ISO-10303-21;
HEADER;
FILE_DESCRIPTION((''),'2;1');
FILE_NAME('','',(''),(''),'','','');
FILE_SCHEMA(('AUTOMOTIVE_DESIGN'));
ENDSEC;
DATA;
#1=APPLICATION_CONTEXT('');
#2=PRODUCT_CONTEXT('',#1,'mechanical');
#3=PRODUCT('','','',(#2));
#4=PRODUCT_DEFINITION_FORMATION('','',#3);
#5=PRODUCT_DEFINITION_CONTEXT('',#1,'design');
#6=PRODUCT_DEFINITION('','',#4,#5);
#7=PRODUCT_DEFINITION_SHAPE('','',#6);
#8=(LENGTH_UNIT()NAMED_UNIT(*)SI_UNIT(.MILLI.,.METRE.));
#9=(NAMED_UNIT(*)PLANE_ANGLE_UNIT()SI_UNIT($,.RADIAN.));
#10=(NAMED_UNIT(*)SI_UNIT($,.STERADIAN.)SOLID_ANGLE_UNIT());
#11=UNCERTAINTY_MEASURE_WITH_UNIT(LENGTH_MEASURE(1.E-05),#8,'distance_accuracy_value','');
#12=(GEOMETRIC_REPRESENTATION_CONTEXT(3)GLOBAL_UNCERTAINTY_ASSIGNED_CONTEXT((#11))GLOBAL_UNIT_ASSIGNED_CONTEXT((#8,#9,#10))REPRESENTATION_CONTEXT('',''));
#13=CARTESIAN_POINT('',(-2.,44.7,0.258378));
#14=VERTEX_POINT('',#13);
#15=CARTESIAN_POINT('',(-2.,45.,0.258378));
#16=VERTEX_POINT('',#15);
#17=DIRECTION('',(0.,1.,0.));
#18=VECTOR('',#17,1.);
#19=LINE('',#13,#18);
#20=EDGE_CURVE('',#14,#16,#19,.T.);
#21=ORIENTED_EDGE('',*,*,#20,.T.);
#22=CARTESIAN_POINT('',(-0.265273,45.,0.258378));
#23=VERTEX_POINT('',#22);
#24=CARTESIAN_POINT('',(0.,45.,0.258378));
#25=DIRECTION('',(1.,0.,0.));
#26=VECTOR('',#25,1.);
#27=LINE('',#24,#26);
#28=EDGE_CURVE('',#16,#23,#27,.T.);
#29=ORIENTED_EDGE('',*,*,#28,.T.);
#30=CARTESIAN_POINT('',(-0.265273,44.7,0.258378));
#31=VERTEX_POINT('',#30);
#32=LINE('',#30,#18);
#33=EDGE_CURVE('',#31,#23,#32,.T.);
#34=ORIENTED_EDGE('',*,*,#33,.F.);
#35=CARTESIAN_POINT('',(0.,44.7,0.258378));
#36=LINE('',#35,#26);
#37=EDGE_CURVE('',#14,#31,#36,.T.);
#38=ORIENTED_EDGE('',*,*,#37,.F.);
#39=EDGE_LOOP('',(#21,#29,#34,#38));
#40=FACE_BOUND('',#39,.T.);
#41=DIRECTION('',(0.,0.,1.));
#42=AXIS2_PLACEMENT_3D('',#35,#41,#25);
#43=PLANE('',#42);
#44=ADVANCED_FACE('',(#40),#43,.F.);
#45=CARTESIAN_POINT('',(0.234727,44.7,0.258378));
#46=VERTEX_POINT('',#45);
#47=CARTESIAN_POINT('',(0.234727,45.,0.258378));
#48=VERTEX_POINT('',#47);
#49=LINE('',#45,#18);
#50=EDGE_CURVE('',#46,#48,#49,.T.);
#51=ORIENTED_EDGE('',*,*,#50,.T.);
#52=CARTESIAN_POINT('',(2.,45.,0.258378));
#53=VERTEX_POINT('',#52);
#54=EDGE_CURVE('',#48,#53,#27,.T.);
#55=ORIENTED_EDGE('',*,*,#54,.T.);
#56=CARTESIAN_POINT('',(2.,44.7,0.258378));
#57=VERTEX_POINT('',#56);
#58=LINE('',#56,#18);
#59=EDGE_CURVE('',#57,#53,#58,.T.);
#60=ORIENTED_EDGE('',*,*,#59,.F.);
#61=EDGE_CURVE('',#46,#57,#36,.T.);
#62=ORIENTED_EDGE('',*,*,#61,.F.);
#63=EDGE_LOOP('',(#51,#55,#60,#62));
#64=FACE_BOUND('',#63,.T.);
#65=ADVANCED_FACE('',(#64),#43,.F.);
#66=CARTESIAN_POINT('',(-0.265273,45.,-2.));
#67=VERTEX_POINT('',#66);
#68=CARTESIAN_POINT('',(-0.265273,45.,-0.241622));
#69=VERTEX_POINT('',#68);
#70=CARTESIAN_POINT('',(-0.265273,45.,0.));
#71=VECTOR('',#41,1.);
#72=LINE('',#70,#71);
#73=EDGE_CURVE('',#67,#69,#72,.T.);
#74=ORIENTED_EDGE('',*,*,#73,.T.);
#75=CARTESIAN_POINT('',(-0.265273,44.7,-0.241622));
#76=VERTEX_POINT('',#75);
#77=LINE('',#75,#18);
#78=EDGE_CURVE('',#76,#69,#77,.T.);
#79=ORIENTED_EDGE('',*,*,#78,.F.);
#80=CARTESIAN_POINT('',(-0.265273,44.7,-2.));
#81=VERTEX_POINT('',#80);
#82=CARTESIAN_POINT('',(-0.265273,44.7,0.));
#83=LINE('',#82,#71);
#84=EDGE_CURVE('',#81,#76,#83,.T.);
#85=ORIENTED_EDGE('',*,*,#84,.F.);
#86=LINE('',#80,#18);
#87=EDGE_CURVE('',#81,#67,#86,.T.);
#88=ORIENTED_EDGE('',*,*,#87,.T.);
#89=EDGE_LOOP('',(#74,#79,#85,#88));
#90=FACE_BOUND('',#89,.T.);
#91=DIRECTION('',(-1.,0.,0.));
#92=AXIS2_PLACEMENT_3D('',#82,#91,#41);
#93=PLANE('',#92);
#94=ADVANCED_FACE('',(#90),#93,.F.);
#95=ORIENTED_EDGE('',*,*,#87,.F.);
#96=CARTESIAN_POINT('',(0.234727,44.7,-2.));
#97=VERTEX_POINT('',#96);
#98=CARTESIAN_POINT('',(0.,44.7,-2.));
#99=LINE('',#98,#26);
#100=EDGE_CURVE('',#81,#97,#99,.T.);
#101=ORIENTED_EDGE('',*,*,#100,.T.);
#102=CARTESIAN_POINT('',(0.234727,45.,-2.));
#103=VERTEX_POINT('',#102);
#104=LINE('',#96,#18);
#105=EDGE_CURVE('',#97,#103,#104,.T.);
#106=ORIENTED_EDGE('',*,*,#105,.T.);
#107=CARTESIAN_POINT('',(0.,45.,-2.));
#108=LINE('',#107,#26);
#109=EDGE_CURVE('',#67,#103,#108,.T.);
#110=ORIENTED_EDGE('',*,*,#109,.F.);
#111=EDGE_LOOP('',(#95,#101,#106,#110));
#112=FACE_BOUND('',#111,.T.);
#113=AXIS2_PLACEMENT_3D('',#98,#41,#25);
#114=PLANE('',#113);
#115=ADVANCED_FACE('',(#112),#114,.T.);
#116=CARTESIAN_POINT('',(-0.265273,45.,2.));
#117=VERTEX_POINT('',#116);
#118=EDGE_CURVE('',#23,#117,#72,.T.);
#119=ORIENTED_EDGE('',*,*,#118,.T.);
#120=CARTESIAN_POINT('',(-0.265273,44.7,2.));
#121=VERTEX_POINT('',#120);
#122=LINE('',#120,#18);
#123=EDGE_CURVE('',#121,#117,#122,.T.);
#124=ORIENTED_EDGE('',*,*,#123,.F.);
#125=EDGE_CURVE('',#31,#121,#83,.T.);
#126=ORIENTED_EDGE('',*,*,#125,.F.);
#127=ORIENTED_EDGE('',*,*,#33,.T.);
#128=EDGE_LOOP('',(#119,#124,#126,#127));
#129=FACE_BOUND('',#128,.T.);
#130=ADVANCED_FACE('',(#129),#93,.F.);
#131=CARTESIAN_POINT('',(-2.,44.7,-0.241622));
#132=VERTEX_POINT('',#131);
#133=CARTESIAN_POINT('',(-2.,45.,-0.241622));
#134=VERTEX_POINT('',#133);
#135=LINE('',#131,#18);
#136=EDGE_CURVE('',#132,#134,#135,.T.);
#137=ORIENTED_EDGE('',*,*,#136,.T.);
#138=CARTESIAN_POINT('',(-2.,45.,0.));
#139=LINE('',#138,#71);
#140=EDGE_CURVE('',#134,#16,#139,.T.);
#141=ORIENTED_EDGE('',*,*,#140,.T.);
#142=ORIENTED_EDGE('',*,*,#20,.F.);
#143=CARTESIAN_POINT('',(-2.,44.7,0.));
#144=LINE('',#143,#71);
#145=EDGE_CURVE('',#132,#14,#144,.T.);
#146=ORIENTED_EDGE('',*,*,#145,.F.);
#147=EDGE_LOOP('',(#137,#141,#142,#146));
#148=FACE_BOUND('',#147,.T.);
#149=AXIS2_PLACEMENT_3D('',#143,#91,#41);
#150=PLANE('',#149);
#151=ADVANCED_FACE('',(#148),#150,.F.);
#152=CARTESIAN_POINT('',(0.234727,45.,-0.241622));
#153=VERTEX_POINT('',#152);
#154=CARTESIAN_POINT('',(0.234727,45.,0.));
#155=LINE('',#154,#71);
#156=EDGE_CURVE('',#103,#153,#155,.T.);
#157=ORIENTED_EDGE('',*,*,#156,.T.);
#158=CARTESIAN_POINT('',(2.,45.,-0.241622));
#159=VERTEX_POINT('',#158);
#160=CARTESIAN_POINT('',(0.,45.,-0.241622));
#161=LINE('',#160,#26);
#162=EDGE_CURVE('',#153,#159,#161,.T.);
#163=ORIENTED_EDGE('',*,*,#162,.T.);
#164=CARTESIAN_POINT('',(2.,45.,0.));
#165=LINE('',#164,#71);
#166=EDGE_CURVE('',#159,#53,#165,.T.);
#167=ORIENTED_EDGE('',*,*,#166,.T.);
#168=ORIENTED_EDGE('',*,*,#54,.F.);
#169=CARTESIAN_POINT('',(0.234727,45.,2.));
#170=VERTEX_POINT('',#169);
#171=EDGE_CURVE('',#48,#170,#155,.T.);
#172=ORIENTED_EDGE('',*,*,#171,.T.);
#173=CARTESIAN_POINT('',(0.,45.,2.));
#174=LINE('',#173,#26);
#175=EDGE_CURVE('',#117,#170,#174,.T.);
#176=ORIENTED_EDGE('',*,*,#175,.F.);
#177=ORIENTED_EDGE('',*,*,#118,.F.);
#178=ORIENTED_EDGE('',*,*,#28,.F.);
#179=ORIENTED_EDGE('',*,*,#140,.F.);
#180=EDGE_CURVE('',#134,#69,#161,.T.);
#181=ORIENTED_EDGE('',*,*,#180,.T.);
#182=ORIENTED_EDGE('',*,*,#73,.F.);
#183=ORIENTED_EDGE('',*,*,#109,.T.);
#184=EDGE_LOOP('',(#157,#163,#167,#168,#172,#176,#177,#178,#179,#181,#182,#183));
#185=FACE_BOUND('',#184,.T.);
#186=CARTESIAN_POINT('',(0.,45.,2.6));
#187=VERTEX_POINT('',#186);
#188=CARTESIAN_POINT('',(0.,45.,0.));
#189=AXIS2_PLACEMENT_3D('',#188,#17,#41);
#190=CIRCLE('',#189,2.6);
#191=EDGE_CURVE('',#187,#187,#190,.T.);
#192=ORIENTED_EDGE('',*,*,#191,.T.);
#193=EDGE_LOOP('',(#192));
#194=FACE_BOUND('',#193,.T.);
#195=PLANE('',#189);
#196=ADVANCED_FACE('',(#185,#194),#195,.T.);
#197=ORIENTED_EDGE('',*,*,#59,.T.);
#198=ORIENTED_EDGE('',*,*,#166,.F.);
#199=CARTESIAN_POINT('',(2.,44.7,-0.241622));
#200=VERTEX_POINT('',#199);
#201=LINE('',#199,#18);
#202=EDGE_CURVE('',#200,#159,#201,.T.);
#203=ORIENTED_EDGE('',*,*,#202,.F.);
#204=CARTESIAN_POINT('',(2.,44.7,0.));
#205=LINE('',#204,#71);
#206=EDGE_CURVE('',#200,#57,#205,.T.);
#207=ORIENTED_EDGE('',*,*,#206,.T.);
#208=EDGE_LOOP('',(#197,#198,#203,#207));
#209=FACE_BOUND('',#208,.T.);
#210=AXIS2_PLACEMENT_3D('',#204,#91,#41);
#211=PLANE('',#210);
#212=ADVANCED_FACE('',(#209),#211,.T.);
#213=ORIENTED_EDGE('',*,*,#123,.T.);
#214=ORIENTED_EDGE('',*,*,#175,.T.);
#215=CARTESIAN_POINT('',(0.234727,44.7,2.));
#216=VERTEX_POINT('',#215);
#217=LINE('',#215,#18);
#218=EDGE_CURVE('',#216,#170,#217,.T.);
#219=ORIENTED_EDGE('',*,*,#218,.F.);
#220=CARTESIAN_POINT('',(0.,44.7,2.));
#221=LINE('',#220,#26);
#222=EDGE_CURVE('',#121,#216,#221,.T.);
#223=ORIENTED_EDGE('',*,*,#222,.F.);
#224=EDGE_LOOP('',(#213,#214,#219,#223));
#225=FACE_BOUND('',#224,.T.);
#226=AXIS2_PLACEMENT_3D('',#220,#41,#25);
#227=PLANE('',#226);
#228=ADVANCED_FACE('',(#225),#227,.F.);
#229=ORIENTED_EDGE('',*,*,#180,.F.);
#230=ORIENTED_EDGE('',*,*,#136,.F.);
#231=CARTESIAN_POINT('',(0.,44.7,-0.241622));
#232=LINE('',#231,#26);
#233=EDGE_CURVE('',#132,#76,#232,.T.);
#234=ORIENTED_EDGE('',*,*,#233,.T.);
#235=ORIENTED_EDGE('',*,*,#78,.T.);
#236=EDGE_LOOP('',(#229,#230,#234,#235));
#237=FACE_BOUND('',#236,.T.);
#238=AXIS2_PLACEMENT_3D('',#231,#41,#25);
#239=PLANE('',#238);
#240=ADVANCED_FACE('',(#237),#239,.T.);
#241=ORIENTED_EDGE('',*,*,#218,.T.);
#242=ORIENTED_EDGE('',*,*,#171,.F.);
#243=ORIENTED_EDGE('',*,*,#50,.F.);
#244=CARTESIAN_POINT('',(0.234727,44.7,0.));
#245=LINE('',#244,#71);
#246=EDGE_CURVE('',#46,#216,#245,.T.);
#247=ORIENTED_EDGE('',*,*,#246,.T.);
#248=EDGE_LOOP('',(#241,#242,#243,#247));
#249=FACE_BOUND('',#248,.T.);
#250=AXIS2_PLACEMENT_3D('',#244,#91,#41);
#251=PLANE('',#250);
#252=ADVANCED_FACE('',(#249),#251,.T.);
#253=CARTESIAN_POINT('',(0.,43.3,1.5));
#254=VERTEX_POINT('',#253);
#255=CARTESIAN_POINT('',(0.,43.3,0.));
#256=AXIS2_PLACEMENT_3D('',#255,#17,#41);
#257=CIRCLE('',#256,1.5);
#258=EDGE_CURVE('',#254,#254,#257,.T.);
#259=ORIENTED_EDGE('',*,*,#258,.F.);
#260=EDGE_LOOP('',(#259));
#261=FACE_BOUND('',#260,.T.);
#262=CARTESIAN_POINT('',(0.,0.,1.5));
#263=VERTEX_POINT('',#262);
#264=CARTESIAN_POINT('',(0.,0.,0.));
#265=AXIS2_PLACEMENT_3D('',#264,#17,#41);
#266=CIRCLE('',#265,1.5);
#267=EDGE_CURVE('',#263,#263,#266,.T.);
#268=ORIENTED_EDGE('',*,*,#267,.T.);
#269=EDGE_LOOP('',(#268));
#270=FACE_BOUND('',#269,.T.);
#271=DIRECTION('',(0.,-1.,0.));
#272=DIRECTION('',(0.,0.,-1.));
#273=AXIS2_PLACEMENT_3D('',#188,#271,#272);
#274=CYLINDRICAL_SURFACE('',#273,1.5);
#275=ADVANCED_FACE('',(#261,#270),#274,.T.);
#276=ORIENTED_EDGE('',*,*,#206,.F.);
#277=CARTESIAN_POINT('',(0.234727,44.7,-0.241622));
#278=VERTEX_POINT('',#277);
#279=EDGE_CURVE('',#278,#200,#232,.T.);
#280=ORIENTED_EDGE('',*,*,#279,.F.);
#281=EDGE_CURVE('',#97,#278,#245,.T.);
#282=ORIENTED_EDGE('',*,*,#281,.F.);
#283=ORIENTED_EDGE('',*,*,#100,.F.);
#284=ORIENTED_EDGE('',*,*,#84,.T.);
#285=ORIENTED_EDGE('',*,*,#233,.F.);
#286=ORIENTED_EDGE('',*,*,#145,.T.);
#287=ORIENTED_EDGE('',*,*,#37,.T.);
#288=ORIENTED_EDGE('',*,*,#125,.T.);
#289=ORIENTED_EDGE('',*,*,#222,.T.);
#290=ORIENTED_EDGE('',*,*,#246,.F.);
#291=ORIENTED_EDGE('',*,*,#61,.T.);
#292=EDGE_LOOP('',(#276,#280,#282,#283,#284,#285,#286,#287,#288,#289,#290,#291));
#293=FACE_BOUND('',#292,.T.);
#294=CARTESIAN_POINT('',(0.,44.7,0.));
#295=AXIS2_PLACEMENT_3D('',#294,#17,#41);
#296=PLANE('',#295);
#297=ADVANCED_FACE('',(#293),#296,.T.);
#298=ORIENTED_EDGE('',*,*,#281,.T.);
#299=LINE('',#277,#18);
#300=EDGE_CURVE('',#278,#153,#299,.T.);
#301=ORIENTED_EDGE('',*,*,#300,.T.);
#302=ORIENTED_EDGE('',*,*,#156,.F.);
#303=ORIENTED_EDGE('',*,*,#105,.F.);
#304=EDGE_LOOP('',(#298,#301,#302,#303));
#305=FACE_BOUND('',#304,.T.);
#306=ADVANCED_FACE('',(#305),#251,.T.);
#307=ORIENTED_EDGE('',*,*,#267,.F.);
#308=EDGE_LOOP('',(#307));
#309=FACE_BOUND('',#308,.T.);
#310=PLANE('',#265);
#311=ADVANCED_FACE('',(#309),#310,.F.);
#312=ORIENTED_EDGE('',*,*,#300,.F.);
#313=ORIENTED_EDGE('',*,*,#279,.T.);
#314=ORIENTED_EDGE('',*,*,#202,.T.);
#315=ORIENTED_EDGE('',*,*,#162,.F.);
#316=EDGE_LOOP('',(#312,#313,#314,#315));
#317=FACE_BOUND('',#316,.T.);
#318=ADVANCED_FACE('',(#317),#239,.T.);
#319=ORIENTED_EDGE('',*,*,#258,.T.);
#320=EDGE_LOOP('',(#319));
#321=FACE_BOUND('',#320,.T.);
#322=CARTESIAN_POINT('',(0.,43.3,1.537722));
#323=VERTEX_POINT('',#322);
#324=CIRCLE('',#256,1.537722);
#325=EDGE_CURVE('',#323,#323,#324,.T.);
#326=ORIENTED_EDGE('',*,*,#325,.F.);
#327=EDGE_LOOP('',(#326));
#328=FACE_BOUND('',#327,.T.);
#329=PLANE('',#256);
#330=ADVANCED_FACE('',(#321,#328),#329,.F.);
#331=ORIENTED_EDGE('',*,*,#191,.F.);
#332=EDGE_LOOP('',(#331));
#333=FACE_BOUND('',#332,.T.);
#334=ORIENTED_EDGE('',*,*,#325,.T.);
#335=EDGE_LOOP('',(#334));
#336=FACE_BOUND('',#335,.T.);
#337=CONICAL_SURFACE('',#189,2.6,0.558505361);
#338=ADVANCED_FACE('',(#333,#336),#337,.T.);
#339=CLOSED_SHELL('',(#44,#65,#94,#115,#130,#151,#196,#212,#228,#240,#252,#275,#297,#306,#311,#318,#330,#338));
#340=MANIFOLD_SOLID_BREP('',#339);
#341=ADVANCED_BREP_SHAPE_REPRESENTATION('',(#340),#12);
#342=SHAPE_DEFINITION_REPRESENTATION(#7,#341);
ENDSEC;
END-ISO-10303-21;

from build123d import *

# Parameters (mm, degrees)
SKETCH1_R           = 1.5
BOSS_EXTRUDE1_DEPTH = 45
SKETCH2_R           = 2.6
BOSS_EXTRUDE2_DEPTH = 1.7
BOSS_EXTRUDE2_TAPER = 32
SKETCH3_W           = 0.5
SKETCH3_H           = 1.758378485
SKETCH3_H_2         = 1.741621515
SKETCH3_W_2         = 1.734727157
SKETCH3_H_3         = 0.5
SKETCH3_W_3         = 1.765272843
CUT_EXTRUDE1_DEPTH  = 0.3


with BuildPart() as part:
    # Sketch1 → Boss-Extrude1 (new body)
    with BuildSketch(Plane(origin=(0, 0, 0), x_dir=(1, 0, 0), z_dir=(0, 1, 0))):
        Circle(SKETCH1_R)
    extrude(amount=BOSS_EXTRUDE1_DEPTH)

    # Sketch2 → Boss-Extrude2 (add)
    with BuildSketch(Plane(origin=(0, 45, 0), x_dir=(1, 0, 0), z_dir=(0, 1, 0))):
        Circle(SKETCH2_R)
    extrude(amount=-BOSS_EXTRUDE2_DEPTH, taper=BOSS_EXTRUDE2_TAPER)

    # Sketch3 → Cut-Extrude1 (cut)
    with BuildSketch(Plane(origin=(0, 45, 0), x_dir=(1, 0, 0), z_dir=(0, 1, 0))):
        with Locations((-0.015272843, 1.120810757)):
            Rectangle(SKETCH3_W, SKETCH3_H)
        with Locations((-0.015272843, -1.129189243)):
            Rectangle(SKETCH3_W, SKETCH3_H_2)
        with Locations((-1.132636421, -0.008378485)):
            Rectangle(SKETCH3_W_2, SKETCH3_H_3)
        with Locations((1.117363579, -0.008378485)):
            Rectangle(SKETCH3_W_3, SKETCH3_H_3)
        with Locations((-0.015272843, -0.008378485)):
            Rectangle(SKETCH3_W, SKETCH3_H_3)
    extrude(amount=-CUT_EXTRUDE1_DEPTH, mode=Mode.SUBTRACT)


solid = part.part
